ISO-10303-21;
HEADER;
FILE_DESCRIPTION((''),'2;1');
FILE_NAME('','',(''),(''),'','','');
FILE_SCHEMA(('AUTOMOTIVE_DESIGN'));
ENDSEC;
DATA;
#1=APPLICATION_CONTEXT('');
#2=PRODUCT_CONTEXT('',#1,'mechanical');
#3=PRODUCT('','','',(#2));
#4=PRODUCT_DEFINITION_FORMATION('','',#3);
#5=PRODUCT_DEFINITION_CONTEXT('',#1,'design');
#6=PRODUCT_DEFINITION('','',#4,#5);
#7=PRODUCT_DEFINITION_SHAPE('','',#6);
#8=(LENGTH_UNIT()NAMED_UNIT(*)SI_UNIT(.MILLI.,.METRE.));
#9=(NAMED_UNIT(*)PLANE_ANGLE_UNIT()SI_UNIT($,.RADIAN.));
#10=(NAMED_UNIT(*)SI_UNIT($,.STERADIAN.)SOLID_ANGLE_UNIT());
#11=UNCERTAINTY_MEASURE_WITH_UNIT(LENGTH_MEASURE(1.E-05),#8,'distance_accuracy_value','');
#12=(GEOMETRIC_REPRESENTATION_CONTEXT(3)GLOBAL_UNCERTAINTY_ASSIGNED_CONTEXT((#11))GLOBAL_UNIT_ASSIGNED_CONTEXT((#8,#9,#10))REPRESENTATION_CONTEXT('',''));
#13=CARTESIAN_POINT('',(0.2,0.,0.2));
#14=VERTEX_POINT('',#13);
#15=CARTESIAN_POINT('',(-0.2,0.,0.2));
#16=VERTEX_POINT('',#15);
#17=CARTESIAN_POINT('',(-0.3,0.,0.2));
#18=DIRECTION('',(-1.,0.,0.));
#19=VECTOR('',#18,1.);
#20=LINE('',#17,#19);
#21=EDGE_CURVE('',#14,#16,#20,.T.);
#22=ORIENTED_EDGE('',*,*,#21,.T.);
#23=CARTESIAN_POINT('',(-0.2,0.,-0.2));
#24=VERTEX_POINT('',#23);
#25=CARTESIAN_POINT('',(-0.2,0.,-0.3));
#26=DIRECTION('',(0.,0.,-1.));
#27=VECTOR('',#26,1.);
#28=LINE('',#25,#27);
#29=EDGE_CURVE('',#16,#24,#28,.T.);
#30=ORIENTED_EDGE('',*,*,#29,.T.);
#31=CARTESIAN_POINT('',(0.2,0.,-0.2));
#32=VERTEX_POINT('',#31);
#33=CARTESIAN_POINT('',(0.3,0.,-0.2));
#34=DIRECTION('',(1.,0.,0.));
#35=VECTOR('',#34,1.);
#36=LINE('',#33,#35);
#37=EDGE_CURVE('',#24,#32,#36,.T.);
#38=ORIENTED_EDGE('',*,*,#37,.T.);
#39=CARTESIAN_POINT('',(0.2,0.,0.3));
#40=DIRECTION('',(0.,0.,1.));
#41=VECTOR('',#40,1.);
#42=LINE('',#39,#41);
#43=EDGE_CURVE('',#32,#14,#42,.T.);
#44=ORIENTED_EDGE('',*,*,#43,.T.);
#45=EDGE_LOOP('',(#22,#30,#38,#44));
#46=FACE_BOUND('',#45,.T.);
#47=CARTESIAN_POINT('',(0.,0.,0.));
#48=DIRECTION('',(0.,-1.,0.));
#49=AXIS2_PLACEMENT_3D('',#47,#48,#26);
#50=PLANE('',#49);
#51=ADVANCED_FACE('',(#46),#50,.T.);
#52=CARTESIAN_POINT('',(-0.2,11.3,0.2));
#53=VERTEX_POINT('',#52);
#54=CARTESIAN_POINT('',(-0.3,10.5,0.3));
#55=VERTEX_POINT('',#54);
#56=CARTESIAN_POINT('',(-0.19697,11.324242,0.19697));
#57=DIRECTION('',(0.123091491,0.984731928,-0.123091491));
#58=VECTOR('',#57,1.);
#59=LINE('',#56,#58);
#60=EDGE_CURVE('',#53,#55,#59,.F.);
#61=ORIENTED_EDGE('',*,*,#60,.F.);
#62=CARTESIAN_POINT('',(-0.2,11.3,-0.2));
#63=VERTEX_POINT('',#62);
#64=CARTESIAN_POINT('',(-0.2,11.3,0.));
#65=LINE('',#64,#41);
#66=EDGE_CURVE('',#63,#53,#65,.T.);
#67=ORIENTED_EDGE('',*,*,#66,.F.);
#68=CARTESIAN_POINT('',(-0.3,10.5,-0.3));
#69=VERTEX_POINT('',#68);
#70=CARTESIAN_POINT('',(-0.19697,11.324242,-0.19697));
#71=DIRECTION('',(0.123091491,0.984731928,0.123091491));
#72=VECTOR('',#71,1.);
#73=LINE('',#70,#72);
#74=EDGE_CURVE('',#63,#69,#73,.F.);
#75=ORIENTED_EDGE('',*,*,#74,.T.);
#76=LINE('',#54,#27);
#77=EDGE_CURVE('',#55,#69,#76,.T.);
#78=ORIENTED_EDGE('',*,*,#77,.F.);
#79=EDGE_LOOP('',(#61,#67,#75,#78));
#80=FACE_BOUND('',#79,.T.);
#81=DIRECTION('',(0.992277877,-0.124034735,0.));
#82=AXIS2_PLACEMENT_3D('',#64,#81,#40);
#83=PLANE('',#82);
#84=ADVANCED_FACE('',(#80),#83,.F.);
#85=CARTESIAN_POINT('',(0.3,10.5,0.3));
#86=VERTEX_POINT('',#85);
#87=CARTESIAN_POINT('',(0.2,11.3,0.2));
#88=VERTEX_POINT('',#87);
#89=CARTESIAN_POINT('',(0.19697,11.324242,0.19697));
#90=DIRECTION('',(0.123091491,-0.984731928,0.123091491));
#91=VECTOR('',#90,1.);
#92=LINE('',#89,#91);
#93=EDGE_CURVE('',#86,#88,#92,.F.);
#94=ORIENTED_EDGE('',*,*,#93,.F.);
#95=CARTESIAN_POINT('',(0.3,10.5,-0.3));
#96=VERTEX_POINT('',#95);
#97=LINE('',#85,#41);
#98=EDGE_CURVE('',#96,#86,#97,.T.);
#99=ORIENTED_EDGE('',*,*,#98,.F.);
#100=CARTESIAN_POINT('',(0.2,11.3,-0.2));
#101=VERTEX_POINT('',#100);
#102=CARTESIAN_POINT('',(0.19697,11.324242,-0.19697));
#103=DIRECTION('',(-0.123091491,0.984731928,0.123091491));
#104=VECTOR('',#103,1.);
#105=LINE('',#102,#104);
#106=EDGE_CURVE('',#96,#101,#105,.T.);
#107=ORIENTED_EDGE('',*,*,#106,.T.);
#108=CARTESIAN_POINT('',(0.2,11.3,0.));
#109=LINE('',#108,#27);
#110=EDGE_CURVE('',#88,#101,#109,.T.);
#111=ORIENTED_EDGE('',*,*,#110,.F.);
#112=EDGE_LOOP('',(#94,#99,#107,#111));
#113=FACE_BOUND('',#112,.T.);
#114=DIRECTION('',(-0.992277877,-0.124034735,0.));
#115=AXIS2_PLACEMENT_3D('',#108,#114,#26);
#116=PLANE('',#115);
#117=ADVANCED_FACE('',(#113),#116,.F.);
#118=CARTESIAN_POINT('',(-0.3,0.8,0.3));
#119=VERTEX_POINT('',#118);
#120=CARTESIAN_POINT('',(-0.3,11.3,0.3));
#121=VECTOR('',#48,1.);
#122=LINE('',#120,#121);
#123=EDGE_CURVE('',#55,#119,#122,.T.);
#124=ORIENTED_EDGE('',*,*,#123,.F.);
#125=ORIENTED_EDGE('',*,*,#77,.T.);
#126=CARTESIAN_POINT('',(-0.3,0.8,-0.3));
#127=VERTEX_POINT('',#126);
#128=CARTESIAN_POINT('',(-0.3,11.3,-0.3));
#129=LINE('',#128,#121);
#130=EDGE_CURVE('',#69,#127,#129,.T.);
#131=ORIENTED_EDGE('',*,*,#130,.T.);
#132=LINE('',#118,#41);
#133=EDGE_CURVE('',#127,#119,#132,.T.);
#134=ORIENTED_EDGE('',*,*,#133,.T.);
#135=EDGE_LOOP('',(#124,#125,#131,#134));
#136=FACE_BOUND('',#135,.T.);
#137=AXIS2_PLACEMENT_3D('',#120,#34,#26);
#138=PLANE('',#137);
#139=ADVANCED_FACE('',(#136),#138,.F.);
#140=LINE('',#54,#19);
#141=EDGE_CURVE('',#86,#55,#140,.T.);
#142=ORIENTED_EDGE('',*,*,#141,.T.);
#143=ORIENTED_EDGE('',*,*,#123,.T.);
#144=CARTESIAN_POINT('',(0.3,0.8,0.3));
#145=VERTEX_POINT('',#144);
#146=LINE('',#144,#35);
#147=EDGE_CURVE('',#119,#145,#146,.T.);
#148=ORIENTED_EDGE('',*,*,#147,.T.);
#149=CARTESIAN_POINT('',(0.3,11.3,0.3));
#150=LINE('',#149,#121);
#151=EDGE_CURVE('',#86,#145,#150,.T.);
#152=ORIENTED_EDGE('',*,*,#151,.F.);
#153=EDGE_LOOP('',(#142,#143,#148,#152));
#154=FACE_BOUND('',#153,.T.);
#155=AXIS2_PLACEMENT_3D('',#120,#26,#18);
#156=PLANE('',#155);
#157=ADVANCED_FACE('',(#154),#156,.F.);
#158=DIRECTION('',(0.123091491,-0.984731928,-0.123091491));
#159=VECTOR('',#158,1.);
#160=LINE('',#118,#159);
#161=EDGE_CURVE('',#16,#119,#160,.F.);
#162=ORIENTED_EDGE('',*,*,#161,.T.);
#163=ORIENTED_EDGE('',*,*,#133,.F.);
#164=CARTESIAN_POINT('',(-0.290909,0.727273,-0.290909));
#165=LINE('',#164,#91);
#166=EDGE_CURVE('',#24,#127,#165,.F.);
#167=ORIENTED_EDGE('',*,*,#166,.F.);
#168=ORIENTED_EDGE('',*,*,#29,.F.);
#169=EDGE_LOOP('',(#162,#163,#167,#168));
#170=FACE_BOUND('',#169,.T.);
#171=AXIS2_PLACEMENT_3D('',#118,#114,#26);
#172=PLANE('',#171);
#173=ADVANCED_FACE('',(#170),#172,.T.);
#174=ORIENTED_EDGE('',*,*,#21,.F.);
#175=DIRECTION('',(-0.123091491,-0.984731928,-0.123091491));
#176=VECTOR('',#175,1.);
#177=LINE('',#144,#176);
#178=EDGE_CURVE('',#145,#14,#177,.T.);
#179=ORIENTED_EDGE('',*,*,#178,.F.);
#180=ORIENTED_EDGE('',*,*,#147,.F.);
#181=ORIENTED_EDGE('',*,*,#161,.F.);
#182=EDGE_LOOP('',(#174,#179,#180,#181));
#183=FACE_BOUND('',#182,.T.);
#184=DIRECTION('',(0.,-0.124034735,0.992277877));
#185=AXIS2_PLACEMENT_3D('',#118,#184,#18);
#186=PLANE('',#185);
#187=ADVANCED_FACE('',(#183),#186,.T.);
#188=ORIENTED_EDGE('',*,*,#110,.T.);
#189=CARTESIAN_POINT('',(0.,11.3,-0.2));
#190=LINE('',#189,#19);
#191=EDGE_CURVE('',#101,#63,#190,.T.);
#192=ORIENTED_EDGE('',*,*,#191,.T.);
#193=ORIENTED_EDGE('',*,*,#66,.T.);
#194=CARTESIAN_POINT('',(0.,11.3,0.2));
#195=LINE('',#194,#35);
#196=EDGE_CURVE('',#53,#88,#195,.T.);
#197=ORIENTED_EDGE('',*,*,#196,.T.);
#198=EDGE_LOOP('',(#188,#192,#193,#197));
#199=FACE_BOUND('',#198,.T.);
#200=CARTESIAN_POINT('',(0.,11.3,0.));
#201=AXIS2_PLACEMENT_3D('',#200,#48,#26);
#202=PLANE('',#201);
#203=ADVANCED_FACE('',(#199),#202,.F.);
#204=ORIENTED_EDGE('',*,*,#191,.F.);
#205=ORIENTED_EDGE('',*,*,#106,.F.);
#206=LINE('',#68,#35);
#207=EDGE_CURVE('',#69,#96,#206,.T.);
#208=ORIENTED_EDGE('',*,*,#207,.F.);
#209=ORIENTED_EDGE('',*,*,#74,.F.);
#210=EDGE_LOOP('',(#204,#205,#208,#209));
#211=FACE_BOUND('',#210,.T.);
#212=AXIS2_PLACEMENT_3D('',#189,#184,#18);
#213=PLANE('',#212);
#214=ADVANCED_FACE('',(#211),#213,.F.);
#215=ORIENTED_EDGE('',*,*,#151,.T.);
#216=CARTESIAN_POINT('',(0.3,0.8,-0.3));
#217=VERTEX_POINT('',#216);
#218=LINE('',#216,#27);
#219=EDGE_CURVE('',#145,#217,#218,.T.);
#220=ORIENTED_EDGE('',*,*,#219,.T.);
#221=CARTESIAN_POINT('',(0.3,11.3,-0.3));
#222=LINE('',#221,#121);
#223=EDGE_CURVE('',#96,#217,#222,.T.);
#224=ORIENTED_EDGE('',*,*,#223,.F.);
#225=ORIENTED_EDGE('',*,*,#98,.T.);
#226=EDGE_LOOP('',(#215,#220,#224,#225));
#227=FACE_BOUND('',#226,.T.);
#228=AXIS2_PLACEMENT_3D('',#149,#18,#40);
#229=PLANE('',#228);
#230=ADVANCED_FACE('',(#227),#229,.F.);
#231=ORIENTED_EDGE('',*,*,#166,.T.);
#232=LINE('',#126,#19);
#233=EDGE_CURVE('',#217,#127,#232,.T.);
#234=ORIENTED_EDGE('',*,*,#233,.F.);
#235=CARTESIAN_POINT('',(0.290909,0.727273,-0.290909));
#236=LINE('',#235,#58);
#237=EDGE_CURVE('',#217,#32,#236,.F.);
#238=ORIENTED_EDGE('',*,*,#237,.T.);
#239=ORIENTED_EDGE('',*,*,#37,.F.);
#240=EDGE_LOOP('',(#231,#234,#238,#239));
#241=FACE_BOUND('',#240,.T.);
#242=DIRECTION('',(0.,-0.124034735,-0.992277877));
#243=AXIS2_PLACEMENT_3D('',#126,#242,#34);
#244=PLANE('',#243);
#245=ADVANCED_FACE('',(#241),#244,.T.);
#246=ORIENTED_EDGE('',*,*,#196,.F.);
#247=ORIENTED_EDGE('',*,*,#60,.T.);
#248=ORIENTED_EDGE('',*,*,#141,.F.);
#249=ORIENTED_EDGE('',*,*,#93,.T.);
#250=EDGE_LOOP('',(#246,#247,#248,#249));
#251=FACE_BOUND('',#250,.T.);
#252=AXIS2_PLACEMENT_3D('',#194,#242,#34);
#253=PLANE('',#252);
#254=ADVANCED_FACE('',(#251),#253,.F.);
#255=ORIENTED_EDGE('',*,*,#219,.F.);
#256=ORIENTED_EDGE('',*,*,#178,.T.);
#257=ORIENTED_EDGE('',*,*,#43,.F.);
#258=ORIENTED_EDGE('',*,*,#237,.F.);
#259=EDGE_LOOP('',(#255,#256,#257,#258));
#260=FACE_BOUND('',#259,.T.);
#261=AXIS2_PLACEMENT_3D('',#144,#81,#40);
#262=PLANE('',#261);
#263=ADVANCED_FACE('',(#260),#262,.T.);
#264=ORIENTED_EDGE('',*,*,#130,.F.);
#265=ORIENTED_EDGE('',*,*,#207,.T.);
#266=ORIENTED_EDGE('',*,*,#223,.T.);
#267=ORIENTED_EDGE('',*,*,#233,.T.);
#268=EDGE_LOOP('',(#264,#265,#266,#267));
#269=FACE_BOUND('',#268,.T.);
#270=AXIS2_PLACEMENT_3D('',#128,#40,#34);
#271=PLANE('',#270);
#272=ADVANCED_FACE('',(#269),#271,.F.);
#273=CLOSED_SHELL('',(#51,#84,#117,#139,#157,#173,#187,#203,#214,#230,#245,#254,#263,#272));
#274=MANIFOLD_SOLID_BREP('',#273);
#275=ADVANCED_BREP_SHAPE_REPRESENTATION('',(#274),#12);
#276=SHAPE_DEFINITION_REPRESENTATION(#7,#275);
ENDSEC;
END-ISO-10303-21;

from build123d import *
from OCP.BRepFilletAPI import BRepFilletAPI_MakeChamfer

# Parameters (mm, degrees)
SKETCH_1_W      = 0.6
SKETCH_1_H      = 0.6
EXTRUDE_1_DEPTH = 11.3
CHAMFER_1_SIZE  = 0.8
CHAMFER_1_SIZE2 = 0.1


with BuildPart() as part:
    # 스케치1 → 보스-돌출1 (new body)
    with BuildSketch(Plane(origin=(0, 0, 0), x_dir=(1, 0, 0), z_dir=(0, 1, 0))):
        Rectangle(SKETCH_1_W, SKETCH_1_H)
    extrude(amount=EXTRUDE_1_DEPTH)

    # 모따기1: one chamfer whose edges measure the first distance from different faces: ONE call of the kernel's chamfer builder (chamfer() names one face for all edges)
    chamfer_1_edges_1 = [part.edges().sort_by_distance(p)[0] for p in [
        (-0.3, 11.3, 0),
        (-0.3, 0, 0),
    ]]
    chamfer_1_side_1 = [part.faces().sort_by_distance(p)[0] for p in [
        (-0.3, 5.65, 0),
    ]]
    chamfer_1_edges_2 = [part.edges().sort_by_distance(p)[0] for p in [
        (0, 11.3, 0.3),
        (0, 0, 0.3),
    ]]
    chamfer_1_side_2 = [part.faces().sort_by_distance(p)[0] for p in [
        (0, 5.65, 0.3),
    ]]
    chamfer_1_edges_3 = [part.edges().sort_by_distance(p)[0] for p in [
        (0.3, 11.3, 0),
        (0.3, 0, 0),
    ]]
    chamfer_1_side_3 = [part.faces().sort_by_distance(p)[0] for p in [
        (0.3, 5.65, 0),
    ]]
    chamfer_1_edges_4 = [part.edges().sort_by_distance(p)[0] for p in [
        (0, 0, -0.3),
        (0, 11.3, -0.3),
    ]]
    chamfer_1_side_4 = [part.faces().sort_by_distance(p)[0] for p in [
        (0, 5.65, -0.3),
    ]]
    chamfer_1 = BRepFilletAPI_MakeChamfer(part.part.solid().wrapped)
    for e in chamfer_1_edges_1:
        chamfer_1.Add(CHAMFER_1_SIZE, CHAMFER_1_SIZE2, e.wrapped, chamfer_1_side_1[0].wrapped)  # the first distance lies on this face
    for e in chamfer_1_edges_2:
        chamfer_1.Add(CHAMFER_1_SIZE, CHAMFER_1_SIZE2, e.wrapped, chamfer_1_side_2[0].wrapped)  # the first distance lies on this face
    for e in chamfer_1_edges_3:
        chamfer_1.Add(CHAMFER_1_SIZE, CHAMFER_1_SIZE2, e.wrapped, chamfer_1_side_3[0].wrapped)  # the first distance lies on this face
    for e in chamfer_1_edges_4:
        chamfer_1.Add(CHAMFER_1_SIZE, CHAMFER_1_SIZE2, e.wrapped, chamfer_1_side_4[0].wrapped)  # the first distance lies on this face
    add(Compound.cast(chamfer_1.Shape()), mode=Mode.REPLACE)


solid = part.part
